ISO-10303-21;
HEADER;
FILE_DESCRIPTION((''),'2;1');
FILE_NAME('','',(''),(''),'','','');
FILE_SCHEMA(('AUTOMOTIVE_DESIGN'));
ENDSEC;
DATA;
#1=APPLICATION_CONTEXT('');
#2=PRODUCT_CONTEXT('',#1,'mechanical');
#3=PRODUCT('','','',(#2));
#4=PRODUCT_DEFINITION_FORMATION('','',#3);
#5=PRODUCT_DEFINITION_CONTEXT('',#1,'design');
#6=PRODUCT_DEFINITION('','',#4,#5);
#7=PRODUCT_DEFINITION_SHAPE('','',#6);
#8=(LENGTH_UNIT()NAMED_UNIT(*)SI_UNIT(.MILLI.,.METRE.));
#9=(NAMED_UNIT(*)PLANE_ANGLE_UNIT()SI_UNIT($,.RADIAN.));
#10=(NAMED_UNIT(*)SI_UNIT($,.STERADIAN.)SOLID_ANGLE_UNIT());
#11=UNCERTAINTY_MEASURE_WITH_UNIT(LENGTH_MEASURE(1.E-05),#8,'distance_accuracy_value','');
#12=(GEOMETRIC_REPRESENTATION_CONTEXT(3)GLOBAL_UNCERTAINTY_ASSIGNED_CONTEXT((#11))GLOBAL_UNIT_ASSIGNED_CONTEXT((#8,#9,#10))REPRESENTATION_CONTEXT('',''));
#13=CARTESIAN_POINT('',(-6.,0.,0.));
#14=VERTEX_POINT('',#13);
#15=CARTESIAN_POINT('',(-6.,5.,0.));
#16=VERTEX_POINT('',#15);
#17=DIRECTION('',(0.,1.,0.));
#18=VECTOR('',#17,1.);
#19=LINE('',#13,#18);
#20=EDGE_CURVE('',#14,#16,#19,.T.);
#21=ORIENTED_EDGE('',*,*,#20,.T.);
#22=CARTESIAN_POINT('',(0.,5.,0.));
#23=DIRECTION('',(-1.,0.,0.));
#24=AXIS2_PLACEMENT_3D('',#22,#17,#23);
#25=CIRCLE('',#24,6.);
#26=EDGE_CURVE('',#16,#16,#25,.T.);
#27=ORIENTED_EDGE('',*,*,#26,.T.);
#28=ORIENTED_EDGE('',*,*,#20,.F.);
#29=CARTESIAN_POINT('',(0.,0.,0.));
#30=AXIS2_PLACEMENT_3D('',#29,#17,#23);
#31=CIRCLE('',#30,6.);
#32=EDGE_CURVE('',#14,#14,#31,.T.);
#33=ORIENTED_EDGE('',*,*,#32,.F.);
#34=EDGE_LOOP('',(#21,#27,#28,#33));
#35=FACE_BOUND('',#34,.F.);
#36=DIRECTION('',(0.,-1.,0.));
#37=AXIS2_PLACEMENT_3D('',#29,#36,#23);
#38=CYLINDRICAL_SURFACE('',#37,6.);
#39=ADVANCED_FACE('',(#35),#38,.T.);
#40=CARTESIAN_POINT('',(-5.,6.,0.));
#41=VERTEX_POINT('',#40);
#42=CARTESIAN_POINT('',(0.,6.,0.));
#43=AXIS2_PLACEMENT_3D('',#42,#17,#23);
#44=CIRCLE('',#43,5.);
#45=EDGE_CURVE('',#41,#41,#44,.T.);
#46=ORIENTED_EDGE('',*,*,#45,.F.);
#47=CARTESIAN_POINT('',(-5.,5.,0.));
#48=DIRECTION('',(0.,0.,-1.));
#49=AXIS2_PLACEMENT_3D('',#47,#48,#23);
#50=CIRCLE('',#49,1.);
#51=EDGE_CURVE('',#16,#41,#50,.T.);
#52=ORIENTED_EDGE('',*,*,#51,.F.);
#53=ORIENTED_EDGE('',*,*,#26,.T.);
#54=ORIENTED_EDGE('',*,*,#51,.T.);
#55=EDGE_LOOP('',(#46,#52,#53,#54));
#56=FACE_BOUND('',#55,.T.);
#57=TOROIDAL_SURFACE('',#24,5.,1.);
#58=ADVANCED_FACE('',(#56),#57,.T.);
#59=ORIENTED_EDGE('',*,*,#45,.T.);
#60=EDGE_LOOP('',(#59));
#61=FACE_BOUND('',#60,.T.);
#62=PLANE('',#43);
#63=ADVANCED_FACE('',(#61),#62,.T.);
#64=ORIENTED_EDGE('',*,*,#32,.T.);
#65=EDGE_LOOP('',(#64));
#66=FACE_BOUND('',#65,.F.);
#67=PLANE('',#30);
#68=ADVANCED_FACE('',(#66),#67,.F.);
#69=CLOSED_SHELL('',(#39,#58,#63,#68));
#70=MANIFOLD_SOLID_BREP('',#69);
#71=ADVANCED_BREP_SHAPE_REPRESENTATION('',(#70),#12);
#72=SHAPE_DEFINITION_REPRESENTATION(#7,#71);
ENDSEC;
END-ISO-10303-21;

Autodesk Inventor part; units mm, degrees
ref_plane "YZ Plane" through (0, 0, 0) normal (1, 0, 0) x (0, 1, 0)
ref_plane "XZ Plane" through (0, 0, 0) normal (0, 1, 0) x (-1, 0, 0)
ref_plane "XY Plane" through (0, 0, 0) normal (0, 0, 1) x (1, 0, 0)
sketch "Sketch1" plane through (0, 0, 0) normal (0, 1, 0) x (-1, 0, 0)
  circle A0 centre (0, 0) radius 6
  dimension "d0" = 12
extrude "Extrusion1" add sketch "Sketch1" along normal blind 6
fillet "Fillet1" radius 1 1 edges at (6, 6, 0)
equation "\"BendRadius\" = Thickness"
equation "\"BendReliefWidth\" = Thickness"
equation "\"BendReliefDepth\" = 0.5 * Thickness"
equation "\"CornerReliefSize\" = 4 * Thickness"
equation "\"MinimumRemnant\" = 2 * Thickness"
equation "\"TransitionRadius\" = BendRadius"
equation "\"JacobiRadiusSize\" = BendRadius"
equation "\"GapSize\" = Thickness"
equation "\"Thickness\" = 0.5"
properties part number "battery"
